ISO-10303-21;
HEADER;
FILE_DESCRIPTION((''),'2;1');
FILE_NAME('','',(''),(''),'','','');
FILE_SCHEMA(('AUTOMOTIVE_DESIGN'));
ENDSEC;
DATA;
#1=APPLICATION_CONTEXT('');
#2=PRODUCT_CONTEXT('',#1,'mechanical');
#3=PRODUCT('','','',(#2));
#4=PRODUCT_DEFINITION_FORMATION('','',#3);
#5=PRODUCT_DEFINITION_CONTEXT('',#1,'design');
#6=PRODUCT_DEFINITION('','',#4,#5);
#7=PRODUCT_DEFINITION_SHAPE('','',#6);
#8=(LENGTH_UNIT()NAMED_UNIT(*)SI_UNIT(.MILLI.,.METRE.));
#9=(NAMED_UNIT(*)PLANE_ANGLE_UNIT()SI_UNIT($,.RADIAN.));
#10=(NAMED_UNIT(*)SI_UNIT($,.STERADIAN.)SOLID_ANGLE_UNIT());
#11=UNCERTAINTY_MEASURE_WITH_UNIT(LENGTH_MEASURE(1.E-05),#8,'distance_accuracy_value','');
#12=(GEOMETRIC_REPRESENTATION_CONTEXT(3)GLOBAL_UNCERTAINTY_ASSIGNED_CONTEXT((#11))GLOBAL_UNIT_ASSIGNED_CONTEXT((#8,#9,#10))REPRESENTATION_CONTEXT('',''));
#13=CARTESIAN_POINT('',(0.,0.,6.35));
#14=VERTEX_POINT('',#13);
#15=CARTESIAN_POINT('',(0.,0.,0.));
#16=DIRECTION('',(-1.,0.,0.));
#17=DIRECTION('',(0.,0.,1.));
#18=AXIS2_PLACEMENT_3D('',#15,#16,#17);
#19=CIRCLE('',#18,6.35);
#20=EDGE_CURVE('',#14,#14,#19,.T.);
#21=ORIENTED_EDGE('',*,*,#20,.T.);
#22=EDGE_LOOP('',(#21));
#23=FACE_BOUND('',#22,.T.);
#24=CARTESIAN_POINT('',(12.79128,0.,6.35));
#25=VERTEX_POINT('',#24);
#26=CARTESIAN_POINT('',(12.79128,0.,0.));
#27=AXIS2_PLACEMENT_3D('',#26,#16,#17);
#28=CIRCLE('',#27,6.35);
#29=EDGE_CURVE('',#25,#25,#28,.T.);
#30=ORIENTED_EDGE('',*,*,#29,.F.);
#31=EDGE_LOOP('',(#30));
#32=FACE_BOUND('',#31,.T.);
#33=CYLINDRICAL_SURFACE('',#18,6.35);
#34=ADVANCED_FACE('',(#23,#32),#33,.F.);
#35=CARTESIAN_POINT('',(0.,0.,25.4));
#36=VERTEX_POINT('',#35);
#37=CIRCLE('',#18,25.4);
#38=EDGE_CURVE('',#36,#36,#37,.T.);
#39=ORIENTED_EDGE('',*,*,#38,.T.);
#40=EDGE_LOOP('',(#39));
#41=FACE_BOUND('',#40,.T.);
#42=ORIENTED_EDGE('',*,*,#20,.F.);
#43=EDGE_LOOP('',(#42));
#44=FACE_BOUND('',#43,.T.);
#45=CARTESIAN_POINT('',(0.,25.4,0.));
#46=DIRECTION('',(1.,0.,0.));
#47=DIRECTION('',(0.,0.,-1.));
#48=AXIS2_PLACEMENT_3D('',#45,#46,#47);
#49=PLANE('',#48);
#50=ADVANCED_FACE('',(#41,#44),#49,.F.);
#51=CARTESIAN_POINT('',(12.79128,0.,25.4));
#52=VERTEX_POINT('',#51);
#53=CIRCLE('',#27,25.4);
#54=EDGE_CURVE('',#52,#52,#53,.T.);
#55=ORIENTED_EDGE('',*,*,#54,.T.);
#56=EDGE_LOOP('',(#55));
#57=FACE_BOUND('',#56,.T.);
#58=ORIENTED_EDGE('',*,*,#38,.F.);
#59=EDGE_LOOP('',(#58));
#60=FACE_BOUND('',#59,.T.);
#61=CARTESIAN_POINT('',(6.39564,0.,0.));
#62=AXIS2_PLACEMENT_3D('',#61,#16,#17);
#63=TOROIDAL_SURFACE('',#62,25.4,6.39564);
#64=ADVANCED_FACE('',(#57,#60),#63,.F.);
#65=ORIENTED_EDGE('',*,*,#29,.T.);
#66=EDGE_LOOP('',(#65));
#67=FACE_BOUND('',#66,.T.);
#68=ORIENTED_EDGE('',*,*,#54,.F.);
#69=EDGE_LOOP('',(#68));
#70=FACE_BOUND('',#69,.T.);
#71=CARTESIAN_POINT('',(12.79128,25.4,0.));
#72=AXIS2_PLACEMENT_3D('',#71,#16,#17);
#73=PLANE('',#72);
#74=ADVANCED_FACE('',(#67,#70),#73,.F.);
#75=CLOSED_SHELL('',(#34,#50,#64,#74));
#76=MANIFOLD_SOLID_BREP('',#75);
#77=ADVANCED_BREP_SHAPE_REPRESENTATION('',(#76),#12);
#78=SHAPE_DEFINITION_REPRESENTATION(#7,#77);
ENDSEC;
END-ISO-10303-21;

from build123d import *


with BuildPart() as part:
    # Sweep2: sweep along a path in Sketch1
    with BuildLine(Plane(origin=(0, 0, 0), x_dir=(0, 0, -1), z_dir=(1, 0, 0))) as sweep2_path:
        CenterArc((0, 0), 25.4, 0, 360)
    # Sketch3 → Sweep2 (sweep)
    with BuildSketch(Plane.XY):
        with BuildLine():
            Line((0, 25.4), (0, 6.35))
            Line((0, 6.35), (12.791280175, 6.35))
            Line((12.791280175, 6.35), (12.791280175, 25.4))
            ThreePointArc((12.791280175, 25.4), (6.395640088, 19.004359912), (0, 25.4))
        make_face()
    sweep(path=sweep2_path.line)


solid = part.part
